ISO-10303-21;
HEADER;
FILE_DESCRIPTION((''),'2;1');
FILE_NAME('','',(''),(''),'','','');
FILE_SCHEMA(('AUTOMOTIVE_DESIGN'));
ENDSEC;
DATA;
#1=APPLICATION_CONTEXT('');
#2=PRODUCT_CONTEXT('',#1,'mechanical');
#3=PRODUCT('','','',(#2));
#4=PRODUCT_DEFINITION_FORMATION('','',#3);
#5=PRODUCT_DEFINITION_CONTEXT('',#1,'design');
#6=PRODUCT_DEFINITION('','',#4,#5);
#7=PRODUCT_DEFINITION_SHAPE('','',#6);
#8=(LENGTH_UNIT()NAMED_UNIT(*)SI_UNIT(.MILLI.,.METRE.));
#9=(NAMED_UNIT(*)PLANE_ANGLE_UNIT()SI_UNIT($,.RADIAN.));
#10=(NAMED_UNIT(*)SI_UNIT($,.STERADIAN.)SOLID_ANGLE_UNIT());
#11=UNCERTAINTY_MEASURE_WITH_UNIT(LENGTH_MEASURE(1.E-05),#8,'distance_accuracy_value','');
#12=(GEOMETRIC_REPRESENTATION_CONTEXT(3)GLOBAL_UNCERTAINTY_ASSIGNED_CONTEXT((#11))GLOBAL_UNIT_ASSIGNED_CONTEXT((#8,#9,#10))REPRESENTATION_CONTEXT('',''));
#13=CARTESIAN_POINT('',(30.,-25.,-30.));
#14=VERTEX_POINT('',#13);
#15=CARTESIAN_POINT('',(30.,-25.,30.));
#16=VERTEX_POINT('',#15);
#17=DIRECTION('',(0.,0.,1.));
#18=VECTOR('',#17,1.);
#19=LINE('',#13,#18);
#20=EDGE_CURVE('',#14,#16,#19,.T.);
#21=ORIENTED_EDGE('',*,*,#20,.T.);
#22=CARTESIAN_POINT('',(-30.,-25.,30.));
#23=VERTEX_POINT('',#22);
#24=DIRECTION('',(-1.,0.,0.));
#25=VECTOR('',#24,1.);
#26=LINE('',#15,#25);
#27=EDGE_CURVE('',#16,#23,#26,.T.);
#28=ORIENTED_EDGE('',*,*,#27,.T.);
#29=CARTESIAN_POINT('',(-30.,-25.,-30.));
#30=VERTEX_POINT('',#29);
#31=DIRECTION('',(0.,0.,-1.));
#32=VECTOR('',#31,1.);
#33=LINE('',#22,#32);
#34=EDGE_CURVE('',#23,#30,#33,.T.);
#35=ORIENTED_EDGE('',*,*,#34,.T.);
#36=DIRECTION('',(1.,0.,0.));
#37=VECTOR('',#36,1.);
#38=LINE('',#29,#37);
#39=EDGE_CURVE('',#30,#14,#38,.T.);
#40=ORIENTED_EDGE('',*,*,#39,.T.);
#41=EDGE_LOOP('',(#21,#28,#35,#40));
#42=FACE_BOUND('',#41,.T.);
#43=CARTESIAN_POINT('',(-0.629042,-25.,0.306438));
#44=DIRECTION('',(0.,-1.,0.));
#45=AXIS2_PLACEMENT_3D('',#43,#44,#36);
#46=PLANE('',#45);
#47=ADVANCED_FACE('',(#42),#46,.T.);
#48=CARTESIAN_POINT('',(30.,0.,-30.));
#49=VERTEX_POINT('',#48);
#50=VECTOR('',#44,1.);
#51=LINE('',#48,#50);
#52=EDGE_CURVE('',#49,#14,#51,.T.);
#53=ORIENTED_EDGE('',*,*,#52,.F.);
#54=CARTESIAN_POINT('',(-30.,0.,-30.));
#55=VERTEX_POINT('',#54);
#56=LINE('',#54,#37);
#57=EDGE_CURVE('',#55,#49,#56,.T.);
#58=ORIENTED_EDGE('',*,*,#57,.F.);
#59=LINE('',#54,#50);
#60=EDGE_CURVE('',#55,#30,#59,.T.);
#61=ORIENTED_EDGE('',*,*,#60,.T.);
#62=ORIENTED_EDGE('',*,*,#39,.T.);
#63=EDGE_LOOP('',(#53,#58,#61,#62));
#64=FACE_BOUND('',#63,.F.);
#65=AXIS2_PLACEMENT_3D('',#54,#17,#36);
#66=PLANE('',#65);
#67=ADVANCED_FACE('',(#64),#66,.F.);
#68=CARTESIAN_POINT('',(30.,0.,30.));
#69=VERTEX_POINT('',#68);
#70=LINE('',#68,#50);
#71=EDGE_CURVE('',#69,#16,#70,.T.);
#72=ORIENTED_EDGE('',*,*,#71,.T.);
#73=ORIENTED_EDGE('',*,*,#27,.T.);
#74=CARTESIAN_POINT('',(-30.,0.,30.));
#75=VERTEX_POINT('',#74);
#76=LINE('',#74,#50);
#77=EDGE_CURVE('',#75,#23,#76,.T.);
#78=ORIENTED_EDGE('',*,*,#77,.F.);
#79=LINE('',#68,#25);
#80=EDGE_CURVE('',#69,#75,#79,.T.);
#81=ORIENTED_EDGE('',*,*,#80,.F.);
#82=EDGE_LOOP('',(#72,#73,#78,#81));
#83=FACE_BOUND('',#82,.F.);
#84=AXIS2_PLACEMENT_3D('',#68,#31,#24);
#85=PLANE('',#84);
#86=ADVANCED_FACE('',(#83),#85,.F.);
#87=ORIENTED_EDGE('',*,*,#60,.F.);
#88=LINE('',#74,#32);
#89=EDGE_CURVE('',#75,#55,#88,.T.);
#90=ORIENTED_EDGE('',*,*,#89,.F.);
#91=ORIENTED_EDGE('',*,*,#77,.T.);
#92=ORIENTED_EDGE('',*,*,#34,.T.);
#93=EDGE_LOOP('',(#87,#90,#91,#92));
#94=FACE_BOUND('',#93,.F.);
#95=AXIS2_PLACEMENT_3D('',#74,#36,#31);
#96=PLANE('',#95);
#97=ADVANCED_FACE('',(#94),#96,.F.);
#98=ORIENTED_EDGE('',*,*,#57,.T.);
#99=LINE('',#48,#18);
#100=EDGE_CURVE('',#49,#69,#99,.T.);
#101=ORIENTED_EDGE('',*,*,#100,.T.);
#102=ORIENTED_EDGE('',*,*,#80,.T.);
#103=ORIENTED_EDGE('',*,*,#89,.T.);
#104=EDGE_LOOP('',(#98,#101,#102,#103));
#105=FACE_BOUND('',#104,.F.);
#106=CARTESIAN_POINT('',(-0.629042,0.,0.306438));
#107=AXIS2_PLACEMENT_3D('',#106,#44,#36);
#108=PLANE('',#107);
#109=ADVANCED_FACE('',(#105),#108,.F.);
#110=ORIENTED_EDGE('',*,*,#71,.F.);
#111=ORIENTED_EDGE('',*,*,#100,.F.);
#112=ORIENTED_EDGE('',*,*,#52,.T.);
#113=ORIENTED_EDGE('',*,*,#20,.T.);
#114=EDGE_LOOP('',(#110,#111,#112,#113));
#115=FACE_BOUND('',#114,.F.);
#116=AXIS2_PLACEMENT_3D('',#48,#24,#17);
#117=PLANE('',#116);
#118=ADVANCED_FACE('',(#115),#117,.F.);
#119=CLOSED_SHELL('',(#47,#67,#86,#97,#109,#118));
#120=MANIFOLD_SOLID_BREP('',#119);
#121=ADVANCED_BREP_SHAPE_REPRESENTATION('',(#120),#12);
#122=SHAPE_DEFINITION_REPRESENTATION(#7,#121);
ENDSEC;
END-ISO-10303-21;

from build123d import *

# Parameters (mm, degrees)
F0_W     = 40
F0_H     = 10
F0_W_2   = 17.3429127038
F0_H_2   = 33.4276920184
F1_DEPTH = 25


with BuildPart() as f1:
    # F0 (on Front) → F1 (new body)
    with BuildSketch(Plane.XZ):
        Polygon((18.734745644, -30), (30, -30), (30, 30), (-30, 30), (-30, 22.2003255039), (-12.6570872962, 22.2003255039), (-12.6570872962, -11.2273665145), (-30, -11.2273665145), (-30, -30), (-21.265254356, -30), (-21.265254356, -20), (18.734745644, -20), align=None)
        with Locations((-1.265254356, -25)):
            Rectangle(F0_W, F0_H)
        with Locations((-21.3285436481, 5.4864794947)):
            Rectangle(F0_W_2, F0_H_2)
    extrude(amount=F1_DEPTH)


solid = f1.part
